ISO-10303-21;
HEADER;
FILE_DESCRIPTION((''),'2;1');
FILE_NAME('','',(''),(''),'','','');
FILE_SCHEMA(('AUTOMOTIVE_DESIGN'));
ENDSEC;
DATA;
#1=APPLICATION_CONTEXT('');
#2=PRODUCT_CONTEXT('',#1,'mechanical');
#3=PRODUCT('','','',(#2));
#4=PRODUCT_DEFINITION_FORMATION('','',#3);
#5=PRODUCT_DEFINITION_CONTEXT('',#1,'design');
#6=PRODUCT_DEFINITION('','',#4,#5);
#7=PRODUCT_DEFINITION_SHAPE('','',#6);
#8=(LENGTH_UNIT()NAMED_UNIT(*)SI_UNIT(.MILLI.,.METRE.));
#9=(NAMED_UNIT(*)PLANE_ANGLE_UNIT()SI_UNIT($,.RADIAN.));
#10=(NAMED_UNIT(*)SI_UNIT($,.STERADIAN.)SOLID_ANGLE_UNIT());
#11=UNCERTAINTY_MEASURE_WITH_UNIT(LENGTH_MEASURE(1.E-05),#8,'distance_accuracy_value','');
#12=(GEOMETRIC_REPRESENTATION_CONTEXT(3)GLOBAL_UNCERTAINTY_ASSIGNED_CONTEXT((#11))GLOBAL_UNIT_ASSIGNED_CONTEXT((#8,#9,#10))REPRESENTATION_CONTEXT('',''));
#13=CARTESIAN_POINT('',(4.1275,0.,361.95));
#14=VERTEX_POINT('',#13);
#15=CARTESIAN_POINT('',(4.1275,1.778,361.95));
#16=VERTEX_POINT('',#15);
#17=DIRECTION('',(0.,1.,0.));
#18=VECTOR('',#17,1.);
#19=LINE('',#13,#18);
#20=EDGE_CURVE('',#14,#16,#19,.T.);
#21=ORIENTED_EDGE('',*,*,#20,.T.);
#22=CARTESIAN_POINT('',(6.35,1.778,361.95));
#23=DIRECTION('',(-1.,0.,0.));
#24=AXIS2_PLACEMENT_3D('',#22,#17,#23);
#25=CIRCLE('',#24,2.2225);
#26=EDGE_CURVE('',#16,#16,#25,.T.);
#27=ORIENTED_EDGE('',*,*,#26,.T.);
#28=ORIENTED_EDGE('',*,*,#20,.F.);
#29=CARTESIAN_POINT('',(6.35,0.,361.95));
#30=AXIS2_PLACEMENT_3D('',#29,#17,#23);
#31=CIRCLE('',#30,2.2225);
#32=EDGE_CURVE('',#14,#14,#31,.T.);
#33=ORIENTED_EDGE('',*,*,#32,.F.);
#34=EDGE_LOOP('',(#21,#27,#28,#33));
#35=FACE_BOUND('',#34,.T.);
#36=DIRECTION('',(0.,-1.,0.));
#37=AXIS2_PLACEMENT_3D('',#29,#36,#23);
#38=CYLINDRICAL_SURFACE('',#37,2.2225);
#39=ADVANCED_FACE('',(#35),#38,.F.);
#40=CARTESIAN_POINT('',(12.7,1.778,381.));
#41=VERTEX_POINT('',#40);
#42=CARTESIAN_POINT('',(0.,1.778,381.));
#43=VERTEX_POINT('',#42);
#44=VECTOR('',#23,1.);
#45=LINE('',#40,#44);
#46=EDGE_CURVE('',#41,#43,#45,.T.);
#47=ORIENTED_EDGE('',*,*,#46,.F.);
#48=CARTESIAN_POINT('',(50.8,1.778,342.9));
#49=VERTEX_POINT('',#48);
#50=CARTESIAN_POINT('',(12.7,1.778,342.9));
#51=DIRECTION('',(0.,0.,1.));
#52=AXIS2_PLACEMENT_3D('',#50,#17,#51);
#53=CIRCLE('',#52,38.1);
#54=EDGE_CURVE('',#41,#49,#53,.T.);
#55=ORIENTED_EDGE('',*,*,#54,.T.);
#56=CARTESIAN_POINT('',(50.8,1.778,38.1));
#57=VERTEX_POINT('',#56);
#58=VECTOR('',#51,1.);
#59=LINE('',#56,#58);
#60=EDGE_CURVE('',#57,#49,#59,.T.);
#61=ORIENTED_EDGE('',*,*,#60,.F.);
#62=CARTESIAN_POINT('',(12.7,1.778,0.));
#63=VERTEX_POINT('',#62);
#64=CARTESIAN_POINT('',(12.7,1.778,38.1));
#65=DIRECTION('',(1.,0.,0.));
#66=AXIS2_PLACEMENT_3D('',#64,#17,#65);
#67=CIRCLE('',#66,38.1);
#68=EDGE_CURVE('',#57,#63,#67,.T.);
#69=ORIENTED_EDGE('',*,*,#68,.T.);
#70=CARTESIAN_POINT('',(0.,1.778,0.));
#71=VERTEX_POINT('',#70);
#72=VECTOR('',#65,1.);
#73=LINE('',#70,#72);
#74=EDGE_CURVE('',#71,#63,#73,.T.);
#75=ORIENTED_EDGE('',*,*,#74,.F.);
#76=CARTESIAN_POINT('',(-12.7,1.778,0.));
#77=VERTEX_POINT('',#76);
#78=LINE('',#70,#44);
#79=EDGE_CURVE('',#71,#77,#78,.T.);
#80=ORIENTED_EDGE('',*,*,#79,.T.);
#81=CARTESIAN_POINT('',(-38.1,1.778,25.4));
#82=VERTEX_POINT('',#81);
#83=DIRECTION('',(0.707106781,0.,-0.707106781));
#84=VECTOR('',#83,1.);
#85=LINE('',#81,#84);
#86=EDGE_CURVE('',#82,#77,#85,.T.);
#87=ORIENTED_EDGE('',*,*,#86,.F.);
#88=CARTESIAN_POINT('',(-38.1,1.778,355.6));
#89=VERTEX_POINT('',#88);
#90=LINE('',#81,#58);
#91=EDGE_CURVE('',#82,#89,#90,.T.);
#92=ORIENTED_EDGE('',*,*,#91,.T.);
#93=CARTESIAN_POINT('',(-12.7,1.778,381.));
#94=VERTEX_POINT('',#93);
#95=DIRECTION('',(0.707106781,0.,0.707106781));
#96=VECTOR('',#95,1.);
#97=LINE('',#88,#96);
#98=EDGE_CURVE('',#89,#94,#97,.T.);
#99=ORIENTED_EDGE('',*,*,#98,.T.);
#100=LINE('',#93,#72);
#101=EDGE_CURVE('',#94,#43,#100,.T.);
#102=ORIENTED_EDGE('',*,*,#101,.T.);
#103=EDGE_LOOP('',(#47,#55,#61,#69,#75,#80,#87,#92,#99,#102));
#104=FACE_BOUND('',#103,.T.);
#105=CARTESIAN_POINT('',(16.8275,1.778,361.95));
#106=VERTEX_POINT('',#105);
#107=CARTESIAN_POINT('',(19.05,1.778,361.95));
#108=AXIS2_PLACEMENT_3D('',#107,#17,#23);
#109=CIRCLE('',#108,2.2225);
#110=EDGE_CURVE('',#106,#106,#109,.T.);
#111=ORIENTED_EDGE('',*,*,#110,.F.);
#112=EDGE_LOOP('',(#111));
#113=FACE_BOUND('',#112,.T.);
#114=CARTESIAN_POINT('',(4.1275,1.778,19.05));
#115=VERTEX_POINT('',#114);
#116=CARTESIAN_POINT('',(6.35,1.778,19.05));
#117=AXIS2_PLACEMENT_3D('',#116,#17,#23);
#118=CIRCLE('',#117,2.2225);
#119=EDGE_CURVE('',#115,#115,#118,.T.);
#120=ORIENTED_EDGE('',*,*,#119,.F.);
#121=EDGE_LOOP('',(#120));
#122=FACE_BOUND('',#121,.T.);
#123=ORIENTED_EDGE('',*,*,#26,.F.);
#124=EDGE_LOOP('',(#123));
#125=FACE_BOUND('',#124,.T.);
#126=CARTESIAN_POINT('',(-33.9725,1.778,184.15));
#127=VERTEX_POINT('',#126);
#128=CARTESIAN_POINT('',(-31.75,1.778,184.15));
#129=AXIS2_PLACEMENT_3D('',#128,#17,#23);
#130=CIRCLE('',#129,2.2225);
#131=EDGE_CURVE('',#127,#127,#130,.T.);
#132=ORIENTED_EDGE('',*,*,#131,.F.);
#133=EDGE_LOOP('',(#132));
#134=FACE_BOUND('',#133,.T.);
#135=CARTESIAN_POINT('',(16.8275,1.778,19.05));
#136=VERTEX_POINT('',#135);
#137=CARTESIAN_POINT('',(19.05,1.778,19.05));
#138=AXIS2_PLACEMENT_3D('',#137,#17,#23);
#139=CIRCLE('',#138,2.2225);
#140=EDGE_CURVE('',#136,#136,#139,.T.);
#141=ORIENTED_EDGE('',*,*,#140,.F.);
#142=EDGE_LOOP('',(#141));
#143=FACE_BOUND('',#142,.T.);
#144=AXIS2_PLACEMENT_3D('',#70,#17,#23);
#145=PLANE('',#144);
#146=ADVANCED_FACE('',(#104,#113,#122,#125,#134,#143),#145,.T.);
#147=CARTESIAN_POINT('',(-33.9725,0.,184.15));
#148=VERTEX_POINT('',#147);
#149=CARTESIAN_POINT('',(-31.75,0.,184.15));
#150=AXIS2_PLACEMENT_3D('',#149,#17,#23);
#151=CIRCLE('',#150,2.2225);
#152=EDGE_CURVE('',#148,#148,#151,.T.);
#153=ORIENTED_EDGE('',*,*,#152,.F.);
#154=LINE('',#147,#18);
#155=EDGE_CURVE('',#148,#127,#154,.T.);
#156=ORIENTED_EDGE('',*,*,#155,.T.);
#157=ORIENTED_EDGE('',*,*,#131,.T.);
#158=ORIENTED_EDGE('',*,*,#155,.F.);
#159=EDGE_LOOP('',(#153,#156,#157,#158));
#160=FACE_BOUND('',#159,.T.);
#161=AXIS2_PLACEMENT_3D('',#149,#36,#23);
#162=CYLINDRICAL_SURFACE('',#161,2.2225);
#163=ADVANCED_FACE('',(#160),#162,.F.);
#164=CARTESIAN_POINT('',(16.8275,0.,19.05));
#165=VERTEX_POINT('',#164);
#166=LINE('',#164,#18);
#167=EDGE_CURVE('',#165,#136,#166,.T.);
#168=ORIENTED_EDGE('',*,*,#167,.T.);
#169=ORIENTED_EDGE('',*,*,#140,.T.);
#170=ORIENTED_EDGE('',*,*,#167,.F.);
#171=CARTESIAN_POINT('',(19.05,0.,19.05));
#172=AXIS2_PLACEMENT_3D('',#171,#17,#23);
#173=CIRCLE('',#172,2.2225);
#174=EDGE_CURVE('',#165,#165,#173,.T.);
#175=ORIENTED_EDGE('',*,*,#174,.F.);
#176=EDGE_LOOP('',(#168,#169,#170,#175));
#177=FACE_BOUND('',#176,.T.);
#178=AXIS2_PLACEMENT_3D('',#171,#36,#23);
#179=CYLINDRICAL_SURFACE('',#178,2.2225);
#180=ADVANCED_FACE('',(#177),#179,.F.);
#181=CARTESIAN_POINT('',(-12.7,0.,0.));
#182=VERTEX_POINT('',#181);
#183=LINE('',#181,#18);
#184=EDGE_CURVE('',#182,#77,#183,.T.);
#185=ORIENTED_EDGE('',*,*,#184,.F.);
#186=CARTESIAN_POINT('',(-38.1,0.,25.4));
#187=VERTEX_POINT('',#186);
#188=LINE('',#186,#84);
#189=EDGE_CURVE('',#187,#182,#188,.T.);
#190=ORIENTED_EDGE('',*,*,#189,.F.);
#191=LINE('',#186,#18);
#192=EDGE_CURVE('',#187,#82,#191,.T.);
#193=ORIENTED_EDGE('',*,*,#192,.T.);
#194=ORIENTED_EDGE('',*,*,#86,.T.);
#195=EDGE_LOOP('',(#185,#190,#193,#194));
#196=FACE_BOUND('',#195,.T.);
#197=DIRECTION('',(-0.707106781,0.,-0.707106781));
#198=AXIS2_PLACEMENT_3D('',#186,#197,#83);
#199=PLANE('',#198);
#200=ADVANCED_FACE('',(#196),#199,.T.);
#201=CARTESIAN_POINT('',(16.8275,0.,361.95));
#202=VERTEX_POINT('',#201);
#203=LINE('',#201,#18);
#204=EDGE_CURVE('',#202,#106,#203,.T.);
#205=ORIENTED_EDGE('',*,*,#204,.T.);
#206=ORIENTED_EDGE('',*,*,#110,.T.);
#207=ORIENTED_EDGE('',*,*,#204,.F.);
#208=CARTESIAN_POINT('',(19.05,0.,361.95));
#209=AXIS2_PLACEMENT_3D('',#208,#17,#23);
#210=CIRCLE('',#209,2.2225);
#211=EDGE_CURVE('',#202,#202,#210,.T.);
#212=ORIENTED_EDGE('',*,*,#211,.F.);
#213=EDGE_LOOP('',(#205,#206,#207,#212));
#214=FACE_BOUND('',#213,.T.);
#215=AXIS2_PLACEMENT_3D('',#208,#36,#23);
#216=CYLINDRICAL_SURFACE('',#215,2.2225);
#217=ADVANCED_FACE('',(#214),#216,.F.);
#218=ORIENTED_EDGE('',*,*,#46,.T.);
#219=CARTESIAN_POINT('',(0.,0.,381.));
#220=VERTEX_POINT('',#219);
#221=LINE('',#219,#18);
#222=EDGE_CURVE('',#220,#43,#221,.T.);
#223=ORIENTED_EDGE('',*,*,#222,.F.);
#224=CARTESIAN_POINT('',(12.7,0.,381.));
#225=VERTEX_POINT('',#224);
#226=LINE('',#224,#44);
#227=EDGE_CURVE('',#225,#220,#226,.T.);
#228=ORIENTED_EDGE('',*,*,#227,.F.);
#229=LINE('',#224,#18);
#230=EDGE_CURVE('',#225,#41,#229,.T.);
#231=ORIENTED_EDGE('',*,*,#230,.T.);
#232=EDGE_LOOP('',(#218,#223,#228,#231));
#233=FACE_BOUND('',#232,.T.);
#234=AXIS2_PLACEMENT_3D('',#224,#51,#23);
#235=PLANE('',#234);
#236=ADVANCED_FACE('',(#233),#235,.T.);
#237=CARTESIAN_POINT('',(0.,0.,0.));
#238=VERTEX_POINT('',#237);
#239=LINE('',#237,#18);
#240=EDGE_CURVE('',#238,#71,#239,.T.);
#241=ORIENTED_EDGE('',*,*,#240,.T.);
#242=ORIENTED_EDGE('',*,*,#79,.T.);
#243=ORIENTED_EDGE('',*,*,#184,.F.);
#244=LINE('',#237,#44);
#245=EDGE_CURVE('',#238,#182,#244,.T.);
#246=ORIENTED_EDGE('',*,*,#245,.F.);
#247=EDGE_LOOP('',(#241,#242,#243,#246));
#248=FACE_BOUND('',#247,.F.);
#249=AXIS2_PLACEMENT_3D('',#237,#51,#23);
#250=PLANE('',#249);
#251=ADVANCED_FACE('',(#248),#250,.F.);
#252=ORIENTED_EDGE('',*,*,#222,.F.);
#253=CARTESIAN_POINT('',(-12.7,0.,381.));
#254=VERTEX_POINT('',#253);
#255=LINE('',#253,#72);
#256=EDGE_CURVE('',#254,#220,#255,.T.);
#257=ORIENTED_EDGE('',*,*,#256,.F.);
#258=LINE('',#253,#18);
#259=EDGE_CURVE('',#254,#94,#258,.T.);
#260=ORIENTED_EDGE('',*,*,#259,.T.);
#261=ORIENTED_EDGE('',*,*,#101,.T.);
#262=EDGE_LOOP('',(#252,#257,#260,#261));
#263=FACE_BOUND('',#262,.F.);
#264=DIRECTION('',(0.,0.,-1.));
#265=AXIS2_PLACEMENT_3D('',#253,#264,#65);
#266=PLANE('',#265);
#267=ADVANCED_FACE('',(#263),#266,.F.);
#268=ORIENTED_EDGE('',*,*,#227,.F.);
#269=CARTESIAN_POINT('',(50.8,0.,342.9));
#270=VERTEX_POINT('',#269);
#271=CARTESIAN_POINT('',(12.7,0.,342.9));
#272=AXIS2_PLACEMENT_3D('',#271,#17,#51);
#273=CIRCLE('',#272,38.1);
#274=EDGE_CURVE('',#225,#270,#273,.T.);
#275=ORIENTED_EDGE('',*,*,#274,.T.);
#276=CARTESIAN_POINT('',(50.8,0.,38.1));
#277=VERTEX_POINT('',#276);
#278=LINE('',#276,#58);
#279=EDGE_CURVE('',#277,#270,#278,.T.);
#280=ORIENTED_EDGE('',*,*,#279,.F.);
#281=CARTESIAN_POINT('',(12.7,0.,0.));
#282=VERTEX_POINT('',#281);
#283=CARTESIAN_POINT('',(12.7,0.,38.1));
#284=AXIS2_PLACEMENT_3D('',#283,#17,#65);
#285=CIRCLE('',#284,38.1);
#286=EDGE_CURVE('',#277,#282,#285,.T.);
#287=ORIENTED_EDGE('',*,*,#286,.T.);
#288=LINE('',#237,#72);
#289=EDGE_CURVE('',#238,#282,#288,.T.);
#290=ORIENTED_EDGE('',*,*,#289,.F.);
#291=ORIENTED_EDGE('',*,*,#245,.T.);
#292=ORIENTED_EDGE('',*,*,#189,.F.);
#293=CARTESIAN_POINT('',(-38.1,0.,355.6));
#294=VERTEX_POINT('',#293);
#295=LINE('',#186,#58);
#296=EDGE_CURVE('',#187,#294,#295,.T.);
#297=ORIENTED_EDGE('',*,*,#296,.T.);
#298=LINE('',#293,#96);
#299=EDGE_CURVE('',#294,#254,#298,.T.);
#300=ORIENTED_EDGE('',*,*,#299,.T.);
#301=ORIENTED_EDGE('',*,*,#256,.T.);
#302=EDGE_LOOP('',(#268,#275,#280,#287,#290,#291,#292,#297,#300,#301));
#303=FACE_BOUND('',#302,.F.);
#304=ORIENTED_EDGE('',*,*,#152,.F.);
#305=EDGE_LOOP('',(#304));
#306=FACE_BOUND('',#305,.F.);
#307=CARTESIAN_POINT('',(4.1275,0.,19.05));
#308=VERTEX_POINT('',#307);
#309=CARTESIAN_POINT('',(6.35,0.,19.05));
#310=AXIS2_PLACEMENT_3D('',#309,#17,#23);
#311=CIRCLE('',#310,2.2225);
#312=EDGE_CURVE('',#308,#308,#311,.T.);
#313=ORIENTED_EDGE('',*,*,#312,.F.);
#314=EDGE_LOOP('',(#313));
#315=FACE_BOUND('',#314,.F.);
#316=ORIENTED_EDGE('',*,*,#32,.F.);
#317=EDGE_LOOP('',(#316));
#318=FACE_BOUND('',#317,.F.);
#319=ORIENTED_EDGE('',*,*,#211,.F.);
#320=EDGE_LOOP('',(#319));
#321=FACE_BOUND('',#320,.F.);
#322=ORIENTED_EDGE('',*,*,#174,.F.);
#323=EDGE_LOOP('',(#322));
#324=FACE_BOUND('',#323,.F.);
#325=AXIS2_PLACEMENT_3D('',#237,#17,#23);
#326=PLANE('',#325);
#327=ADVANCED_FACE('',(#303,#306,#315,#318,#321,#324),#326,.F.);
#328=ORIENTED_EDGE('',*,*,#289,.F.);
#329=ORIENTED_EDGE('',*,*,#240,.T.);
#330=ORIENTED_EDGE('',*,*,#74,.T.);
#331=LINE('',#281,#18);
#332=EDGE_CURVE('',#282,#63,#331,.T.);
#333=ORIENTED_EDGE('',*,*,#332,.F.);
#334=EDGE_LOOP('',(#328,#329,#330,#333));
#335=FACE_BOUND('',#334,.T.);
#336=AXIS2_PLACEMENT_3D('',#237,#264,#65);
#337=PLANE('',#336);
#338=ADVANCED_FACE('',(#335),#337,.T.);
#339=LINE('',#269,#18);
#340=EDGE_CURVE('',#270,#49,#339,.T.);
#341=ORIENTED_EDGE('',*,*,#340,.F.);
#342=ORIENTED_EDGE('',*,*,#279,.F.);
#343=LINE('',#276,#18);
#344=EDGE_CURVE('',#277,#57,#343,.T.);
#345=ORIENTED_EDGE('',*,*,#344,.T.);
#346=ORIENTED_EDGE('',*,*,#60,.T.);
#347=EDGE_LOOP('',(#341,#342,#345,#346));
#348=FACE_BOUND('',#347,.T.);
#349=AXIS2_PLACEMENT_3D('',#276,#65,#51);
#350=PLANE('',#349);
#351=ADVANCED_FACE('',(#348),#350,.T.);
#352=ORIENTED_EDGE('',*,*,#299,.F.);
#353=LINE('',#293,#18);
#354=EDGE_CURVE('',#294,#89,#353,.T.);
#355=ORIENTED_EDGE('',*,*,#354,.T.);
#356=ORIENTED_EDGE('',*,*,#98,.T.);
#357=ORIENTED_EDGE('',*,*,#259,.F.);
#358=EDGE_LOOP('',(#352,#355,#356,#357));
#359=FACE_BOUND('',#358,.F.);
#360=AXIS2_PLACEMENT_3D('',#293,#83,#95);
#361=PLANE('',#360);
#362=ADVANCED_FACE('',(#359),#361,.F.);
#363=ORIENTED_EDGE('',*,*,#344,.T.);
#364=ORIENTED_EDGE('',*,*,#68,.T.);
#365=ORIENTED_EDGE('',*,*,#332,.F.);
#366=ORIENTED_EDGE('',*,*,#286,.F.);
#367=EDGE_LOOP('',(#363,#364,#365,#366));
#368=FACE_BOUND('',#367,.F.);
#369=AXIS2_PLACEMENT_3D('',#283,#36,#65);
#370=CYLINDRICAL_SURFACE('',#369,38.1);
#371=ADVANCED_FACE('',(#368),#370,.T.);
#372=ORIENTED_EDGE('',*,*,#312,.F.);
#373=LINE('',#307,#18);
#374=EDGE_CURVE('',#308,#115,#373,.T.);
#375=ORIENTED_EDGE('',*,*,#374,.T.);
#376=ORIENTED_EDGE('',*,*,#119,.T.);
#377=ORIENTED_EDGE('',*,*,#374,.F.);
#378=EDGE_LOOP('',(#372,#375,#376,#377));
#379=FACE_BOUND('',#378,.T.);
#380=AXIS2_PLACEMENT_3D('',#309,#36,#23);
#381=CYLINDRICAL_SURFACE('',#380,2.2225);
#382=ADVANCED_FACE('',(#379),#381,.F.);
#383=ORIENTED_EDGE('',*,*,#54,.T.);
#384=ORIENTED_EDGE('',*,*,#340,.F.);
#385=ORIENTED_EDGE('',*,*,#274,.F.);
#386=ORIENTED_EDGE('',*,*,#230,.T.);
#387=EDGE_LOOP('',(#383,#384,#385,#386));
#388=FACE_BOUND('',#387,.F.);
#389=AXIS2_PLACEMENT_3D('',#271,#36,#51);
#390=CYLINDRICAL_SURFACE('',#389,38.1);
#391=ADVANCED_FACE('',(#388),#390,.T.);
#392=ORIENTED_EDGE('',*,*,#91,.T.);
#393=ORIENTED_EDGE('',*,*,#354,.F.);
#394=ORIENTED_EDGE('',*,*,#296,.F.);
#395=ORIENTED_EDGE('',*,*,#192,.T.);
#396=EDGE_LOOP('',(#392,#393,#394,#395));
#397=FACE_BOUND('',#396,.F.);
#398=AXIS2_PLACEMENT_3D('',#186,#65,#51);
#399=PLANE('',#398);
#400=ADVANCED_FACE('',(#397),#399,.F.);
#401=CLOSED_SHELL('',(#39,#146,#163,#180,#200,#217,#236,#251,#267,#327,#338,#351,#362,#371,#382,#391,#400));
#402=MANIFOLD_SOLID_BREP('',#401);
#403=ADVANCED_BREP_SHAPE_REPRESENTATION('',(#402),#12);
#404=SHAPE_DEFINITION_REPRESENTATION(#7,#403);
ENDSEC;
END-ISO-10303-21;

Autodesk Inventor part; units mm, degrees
ref_plane "YZ Plane" through (0, 0, 0) normal (1, 0, 0) x (0, 1, 0)
ref_plane "XZ Plane" through (0, 0, 0) normal (0, 1, 0) x (-1, 0, 0)
ref_plane "XY Plane" through (0, 0, 0) normal (0, 0, 1) x (1, 0, 0)
sketch "Sketch1" plane through (0, 0, 0) normal (0, 1, 0) x (-1, 0, 0)
  line L0 (0, 0) -> (-12.7, 0)
  line L1 (-50.8, 38.1) -> (-50.8, 342.9)
  line L2 (-12.7, 381) -> (0, 381)
  line L3 (0, 0) -> (12.7, 0)
  line L4 (38.1, 25.4) -> (38.1, 355.6)
  line L5 (12.7, 381) -> (0, 381)
  arc A0 (-12.7, 381) -> (-50.8, 342.9) centre (-12.7, 342.9) ccw
  arc A1 (-50.8, 38.1) -> (-12.7, 0) centre (-12.7, 38.1) ccw
  line L6 (38.1, 355.6) -> (12.7, 381)
  line L7 (38.1, 25.4) -> (12.7, 0)
  circle A2 centre (31.75, 184.15) radius 2.2225
  circle A3 centre (-6.35, 19.05) radius 2.2225
  circle A4 centre (-19.05, 19.05) radius 2.2225
  circle A5 centre (-6.35, 361.95) radius 2.2225
  circle A6 centre (-19.05, 361.95) radius 2.2225
  point P0 (-50.8, 381)
  point P1 (-50.8, 0)
  point P2 (38.1, 381)
  point P3 (38.1, 0)
  dimension "d0" = 50.8
  dimension "d1" = 381
  dimension "d2" = 38.1
  dimension "d3" = 381
  dimension "d4" = 38.1
  dimension "d5" = 25.4
  dimension "d6" = 25.4
  dimension "d7" = 25.4
  dimension "d8" = 25.4
  dimension "d12" = 4.445
  dimension "d13" = 4.445
  dimension "d14" = 4.445
  dimension "d15" = 4.445
  dimension "d16" = 4.445
extrude "Extrusion1" add sketch "Sketch1" along normal blind 1.778
equation "\"d6\" = d5"
equation "\"d7\" = d5"
equation "\"d8\" = d7"
properties part number "side_ring_guard"
